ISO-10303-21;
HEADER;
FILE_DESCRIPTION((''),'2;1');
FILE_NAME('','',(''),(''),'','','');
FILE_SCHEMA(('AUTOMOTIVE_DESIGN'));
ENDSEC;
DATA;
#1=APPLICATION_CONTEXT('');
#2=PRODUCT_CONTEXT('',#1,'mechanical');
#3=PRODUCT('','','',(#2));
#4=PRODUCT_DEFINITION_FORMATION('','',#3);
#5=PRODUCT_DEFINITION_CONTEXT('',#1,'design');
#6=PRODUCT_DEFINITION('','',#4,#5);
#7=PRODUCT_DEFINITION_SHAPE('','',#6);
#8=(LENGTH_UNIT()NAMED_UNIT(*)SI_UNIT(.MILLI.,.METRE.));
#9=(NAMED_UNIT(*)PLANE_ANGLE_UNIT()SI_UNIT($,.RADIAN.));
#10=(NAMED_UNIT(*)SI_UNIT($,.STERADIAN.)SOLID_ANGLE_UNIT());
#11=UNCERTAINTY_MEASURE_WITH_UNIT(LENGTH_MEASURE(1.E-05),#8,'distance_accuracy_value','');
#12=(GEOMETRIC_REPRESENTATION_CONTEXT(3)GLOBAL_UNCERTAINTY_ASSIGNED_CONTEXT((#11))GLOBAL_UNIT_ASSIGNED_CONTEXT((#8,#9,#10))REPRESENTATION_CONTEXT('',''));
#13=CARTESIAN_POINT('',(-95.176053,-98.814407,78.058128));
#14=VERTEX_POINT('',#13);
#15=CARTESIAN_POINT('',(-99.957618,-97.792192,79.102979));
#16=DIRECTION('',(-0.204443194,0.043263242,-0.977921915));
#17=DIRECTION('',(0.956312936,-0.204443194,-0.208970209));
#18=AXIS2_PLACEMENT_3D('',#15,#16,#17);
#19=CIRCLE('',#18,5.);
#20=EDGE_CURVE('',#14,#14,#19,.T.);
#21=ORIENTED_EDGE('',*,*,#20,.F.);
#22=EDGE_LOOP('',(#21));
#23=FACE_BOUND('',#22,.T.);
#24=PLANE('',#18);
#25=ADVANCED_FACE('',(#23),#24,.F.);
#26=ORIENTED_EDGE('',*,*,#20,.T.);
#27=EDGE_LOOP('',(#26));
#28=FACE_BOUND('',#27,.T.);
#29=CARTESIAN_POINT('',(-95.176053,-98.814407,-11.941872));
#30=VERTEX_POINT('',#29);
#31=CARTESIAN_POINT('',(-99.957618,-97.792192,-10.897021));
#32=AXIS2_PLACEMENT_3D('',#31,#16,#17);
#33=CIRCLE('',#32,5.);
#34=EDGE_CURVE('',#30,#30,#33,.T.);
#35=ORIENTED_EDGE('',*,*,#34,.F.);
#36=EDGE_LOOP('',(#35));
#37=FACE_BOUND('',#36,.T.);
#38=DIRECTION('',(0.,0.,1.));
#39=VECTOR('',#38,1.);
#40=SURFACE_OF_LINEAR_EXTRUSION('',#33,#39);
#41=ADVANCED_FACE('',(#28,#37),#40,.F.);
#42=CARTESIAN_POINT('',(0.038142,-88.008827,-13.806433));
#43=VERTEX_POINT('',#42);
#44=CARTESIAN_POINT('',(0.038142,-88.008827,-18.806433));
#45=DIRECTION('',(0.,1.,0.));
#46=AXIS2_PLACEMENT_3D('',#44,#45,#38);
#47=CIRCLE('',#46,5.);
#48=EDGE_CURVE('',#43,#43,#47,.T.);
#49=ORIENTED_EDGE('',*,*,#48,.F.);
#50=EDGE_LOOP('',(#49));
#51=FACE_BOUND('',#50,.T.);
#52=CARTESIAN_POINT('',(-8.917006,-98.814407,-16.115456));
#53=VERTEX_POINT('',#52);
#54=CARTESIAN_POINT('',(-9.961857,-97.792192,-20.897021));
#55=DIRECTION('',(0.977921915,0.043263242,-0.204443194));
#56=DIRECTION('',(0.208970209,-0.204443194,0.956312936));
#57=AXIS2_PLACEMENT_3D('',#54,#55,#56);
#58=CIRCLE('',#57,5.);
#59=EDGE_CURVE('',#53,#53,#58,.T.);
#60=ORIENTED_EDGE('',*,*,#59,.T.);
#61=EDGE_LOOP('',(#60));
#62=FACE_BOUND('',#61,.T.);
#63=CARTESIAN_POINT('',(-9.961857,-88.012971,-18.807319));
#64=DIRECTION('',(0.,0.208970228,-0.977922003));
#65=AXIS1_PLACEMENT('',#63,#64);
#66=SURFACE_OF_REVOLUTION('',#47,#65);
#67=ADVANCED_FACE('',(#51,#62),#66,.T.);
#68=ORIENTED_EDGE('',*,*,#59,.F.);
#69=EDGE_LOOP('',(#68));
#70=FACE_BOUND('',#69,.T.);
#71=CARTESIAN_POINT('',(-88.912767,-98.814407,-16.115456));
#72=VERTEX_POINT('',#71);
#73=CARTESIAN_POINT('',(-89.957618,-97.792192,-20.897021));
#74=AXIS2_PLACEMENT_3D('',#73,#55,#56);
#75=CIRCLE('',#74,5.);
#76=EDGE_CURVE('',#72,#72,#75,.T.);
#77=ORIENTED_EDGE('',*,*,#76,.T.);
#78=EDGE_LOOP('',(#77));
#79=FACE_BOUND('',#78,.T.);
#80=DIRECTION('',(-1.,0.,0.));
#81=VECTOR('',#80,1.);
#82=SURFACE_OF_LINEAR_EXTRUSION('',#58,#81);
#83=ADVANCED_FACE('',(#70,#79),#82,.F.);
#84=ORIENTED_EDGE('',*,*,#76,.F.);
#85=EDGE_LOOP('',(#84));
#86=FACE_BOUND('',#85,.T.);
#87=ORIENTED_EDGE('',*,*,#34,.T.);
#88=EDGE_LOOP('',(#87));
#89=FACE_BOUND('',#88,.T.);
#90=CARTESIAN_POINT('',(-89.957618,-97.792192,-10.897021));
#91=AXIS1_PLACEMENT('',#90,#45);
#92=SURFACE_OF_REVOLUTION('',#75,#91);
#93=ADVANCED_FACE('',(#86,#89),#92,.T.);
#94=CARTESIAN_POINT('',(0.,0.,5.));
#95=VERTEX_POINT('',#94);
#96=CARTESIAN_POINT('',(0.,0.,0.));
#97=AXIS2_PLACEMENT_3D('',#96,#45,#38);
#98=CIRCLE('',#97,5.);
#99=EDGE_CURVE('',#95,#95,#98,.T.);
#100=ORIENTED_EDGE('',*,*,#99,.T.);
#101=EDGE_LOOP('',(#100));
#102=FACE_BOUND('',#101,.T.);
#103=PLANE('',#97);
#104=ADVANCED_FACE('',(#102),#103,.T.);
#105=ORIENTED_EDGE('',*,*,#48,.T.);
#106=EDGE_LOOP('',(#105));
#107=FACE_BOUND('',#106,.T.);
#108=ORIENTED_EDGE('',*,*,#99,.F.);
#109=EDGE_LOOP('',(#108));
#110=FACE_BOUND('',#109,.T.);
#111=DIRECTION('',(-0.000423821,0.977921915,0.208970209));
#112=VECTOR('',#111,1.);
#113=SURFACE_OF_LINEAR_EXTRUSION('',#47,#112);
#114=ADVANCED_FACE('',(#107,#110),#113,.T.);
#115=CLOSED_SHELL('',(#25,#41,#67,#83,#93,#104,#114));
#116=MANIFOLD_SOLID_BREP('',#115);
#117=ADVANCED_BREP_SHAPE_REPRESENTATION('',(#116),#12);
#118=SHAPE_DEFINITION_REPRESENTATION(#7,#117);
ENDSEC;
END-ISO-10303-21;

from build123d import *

# Parameters (mm, degrees)
ESBO_O2_R = 5


with BuildPart() as part:
    # Varredura1: sweep along a curve in space
    with BuildLine() as varredura1_path:
        Line((0, 0, 0), (0.038142125, -88.008826842, -18.806432963))
        ThreePointArc((0.038142125, -88.008826842, -18.806432963), (-2.889290888, -94.926458775, -20.284648113), (-9.961856976, -97.792191514, -20.897020901))
        Line((-9.961856976, -97.792191514, -20.897020901), (-89.957617864, -97.792191514, -20.897020901))
        ThreePointArc((-89.957617864, -97.792191514, -20.897020901), (-97.028685676, -97.792191514, -17.968088713), (-99.957617864, -97.792191514, -10.897020901))
        Line((-99.957617864, -97.792191514, -10.897020901), (-99.957617864, -97.792191514, 79.102979099))
    # Esboço2 → Varredura1 (sweep)
    with BuildSketch(Plane(origin=(0, 0, 0), x_dir=(1, 0, 0), z_dir=(0, 1, 0))):
        Circle(ESBO_O2_R)
    sweep(path=varredura1_path.line)


solid = part.part
